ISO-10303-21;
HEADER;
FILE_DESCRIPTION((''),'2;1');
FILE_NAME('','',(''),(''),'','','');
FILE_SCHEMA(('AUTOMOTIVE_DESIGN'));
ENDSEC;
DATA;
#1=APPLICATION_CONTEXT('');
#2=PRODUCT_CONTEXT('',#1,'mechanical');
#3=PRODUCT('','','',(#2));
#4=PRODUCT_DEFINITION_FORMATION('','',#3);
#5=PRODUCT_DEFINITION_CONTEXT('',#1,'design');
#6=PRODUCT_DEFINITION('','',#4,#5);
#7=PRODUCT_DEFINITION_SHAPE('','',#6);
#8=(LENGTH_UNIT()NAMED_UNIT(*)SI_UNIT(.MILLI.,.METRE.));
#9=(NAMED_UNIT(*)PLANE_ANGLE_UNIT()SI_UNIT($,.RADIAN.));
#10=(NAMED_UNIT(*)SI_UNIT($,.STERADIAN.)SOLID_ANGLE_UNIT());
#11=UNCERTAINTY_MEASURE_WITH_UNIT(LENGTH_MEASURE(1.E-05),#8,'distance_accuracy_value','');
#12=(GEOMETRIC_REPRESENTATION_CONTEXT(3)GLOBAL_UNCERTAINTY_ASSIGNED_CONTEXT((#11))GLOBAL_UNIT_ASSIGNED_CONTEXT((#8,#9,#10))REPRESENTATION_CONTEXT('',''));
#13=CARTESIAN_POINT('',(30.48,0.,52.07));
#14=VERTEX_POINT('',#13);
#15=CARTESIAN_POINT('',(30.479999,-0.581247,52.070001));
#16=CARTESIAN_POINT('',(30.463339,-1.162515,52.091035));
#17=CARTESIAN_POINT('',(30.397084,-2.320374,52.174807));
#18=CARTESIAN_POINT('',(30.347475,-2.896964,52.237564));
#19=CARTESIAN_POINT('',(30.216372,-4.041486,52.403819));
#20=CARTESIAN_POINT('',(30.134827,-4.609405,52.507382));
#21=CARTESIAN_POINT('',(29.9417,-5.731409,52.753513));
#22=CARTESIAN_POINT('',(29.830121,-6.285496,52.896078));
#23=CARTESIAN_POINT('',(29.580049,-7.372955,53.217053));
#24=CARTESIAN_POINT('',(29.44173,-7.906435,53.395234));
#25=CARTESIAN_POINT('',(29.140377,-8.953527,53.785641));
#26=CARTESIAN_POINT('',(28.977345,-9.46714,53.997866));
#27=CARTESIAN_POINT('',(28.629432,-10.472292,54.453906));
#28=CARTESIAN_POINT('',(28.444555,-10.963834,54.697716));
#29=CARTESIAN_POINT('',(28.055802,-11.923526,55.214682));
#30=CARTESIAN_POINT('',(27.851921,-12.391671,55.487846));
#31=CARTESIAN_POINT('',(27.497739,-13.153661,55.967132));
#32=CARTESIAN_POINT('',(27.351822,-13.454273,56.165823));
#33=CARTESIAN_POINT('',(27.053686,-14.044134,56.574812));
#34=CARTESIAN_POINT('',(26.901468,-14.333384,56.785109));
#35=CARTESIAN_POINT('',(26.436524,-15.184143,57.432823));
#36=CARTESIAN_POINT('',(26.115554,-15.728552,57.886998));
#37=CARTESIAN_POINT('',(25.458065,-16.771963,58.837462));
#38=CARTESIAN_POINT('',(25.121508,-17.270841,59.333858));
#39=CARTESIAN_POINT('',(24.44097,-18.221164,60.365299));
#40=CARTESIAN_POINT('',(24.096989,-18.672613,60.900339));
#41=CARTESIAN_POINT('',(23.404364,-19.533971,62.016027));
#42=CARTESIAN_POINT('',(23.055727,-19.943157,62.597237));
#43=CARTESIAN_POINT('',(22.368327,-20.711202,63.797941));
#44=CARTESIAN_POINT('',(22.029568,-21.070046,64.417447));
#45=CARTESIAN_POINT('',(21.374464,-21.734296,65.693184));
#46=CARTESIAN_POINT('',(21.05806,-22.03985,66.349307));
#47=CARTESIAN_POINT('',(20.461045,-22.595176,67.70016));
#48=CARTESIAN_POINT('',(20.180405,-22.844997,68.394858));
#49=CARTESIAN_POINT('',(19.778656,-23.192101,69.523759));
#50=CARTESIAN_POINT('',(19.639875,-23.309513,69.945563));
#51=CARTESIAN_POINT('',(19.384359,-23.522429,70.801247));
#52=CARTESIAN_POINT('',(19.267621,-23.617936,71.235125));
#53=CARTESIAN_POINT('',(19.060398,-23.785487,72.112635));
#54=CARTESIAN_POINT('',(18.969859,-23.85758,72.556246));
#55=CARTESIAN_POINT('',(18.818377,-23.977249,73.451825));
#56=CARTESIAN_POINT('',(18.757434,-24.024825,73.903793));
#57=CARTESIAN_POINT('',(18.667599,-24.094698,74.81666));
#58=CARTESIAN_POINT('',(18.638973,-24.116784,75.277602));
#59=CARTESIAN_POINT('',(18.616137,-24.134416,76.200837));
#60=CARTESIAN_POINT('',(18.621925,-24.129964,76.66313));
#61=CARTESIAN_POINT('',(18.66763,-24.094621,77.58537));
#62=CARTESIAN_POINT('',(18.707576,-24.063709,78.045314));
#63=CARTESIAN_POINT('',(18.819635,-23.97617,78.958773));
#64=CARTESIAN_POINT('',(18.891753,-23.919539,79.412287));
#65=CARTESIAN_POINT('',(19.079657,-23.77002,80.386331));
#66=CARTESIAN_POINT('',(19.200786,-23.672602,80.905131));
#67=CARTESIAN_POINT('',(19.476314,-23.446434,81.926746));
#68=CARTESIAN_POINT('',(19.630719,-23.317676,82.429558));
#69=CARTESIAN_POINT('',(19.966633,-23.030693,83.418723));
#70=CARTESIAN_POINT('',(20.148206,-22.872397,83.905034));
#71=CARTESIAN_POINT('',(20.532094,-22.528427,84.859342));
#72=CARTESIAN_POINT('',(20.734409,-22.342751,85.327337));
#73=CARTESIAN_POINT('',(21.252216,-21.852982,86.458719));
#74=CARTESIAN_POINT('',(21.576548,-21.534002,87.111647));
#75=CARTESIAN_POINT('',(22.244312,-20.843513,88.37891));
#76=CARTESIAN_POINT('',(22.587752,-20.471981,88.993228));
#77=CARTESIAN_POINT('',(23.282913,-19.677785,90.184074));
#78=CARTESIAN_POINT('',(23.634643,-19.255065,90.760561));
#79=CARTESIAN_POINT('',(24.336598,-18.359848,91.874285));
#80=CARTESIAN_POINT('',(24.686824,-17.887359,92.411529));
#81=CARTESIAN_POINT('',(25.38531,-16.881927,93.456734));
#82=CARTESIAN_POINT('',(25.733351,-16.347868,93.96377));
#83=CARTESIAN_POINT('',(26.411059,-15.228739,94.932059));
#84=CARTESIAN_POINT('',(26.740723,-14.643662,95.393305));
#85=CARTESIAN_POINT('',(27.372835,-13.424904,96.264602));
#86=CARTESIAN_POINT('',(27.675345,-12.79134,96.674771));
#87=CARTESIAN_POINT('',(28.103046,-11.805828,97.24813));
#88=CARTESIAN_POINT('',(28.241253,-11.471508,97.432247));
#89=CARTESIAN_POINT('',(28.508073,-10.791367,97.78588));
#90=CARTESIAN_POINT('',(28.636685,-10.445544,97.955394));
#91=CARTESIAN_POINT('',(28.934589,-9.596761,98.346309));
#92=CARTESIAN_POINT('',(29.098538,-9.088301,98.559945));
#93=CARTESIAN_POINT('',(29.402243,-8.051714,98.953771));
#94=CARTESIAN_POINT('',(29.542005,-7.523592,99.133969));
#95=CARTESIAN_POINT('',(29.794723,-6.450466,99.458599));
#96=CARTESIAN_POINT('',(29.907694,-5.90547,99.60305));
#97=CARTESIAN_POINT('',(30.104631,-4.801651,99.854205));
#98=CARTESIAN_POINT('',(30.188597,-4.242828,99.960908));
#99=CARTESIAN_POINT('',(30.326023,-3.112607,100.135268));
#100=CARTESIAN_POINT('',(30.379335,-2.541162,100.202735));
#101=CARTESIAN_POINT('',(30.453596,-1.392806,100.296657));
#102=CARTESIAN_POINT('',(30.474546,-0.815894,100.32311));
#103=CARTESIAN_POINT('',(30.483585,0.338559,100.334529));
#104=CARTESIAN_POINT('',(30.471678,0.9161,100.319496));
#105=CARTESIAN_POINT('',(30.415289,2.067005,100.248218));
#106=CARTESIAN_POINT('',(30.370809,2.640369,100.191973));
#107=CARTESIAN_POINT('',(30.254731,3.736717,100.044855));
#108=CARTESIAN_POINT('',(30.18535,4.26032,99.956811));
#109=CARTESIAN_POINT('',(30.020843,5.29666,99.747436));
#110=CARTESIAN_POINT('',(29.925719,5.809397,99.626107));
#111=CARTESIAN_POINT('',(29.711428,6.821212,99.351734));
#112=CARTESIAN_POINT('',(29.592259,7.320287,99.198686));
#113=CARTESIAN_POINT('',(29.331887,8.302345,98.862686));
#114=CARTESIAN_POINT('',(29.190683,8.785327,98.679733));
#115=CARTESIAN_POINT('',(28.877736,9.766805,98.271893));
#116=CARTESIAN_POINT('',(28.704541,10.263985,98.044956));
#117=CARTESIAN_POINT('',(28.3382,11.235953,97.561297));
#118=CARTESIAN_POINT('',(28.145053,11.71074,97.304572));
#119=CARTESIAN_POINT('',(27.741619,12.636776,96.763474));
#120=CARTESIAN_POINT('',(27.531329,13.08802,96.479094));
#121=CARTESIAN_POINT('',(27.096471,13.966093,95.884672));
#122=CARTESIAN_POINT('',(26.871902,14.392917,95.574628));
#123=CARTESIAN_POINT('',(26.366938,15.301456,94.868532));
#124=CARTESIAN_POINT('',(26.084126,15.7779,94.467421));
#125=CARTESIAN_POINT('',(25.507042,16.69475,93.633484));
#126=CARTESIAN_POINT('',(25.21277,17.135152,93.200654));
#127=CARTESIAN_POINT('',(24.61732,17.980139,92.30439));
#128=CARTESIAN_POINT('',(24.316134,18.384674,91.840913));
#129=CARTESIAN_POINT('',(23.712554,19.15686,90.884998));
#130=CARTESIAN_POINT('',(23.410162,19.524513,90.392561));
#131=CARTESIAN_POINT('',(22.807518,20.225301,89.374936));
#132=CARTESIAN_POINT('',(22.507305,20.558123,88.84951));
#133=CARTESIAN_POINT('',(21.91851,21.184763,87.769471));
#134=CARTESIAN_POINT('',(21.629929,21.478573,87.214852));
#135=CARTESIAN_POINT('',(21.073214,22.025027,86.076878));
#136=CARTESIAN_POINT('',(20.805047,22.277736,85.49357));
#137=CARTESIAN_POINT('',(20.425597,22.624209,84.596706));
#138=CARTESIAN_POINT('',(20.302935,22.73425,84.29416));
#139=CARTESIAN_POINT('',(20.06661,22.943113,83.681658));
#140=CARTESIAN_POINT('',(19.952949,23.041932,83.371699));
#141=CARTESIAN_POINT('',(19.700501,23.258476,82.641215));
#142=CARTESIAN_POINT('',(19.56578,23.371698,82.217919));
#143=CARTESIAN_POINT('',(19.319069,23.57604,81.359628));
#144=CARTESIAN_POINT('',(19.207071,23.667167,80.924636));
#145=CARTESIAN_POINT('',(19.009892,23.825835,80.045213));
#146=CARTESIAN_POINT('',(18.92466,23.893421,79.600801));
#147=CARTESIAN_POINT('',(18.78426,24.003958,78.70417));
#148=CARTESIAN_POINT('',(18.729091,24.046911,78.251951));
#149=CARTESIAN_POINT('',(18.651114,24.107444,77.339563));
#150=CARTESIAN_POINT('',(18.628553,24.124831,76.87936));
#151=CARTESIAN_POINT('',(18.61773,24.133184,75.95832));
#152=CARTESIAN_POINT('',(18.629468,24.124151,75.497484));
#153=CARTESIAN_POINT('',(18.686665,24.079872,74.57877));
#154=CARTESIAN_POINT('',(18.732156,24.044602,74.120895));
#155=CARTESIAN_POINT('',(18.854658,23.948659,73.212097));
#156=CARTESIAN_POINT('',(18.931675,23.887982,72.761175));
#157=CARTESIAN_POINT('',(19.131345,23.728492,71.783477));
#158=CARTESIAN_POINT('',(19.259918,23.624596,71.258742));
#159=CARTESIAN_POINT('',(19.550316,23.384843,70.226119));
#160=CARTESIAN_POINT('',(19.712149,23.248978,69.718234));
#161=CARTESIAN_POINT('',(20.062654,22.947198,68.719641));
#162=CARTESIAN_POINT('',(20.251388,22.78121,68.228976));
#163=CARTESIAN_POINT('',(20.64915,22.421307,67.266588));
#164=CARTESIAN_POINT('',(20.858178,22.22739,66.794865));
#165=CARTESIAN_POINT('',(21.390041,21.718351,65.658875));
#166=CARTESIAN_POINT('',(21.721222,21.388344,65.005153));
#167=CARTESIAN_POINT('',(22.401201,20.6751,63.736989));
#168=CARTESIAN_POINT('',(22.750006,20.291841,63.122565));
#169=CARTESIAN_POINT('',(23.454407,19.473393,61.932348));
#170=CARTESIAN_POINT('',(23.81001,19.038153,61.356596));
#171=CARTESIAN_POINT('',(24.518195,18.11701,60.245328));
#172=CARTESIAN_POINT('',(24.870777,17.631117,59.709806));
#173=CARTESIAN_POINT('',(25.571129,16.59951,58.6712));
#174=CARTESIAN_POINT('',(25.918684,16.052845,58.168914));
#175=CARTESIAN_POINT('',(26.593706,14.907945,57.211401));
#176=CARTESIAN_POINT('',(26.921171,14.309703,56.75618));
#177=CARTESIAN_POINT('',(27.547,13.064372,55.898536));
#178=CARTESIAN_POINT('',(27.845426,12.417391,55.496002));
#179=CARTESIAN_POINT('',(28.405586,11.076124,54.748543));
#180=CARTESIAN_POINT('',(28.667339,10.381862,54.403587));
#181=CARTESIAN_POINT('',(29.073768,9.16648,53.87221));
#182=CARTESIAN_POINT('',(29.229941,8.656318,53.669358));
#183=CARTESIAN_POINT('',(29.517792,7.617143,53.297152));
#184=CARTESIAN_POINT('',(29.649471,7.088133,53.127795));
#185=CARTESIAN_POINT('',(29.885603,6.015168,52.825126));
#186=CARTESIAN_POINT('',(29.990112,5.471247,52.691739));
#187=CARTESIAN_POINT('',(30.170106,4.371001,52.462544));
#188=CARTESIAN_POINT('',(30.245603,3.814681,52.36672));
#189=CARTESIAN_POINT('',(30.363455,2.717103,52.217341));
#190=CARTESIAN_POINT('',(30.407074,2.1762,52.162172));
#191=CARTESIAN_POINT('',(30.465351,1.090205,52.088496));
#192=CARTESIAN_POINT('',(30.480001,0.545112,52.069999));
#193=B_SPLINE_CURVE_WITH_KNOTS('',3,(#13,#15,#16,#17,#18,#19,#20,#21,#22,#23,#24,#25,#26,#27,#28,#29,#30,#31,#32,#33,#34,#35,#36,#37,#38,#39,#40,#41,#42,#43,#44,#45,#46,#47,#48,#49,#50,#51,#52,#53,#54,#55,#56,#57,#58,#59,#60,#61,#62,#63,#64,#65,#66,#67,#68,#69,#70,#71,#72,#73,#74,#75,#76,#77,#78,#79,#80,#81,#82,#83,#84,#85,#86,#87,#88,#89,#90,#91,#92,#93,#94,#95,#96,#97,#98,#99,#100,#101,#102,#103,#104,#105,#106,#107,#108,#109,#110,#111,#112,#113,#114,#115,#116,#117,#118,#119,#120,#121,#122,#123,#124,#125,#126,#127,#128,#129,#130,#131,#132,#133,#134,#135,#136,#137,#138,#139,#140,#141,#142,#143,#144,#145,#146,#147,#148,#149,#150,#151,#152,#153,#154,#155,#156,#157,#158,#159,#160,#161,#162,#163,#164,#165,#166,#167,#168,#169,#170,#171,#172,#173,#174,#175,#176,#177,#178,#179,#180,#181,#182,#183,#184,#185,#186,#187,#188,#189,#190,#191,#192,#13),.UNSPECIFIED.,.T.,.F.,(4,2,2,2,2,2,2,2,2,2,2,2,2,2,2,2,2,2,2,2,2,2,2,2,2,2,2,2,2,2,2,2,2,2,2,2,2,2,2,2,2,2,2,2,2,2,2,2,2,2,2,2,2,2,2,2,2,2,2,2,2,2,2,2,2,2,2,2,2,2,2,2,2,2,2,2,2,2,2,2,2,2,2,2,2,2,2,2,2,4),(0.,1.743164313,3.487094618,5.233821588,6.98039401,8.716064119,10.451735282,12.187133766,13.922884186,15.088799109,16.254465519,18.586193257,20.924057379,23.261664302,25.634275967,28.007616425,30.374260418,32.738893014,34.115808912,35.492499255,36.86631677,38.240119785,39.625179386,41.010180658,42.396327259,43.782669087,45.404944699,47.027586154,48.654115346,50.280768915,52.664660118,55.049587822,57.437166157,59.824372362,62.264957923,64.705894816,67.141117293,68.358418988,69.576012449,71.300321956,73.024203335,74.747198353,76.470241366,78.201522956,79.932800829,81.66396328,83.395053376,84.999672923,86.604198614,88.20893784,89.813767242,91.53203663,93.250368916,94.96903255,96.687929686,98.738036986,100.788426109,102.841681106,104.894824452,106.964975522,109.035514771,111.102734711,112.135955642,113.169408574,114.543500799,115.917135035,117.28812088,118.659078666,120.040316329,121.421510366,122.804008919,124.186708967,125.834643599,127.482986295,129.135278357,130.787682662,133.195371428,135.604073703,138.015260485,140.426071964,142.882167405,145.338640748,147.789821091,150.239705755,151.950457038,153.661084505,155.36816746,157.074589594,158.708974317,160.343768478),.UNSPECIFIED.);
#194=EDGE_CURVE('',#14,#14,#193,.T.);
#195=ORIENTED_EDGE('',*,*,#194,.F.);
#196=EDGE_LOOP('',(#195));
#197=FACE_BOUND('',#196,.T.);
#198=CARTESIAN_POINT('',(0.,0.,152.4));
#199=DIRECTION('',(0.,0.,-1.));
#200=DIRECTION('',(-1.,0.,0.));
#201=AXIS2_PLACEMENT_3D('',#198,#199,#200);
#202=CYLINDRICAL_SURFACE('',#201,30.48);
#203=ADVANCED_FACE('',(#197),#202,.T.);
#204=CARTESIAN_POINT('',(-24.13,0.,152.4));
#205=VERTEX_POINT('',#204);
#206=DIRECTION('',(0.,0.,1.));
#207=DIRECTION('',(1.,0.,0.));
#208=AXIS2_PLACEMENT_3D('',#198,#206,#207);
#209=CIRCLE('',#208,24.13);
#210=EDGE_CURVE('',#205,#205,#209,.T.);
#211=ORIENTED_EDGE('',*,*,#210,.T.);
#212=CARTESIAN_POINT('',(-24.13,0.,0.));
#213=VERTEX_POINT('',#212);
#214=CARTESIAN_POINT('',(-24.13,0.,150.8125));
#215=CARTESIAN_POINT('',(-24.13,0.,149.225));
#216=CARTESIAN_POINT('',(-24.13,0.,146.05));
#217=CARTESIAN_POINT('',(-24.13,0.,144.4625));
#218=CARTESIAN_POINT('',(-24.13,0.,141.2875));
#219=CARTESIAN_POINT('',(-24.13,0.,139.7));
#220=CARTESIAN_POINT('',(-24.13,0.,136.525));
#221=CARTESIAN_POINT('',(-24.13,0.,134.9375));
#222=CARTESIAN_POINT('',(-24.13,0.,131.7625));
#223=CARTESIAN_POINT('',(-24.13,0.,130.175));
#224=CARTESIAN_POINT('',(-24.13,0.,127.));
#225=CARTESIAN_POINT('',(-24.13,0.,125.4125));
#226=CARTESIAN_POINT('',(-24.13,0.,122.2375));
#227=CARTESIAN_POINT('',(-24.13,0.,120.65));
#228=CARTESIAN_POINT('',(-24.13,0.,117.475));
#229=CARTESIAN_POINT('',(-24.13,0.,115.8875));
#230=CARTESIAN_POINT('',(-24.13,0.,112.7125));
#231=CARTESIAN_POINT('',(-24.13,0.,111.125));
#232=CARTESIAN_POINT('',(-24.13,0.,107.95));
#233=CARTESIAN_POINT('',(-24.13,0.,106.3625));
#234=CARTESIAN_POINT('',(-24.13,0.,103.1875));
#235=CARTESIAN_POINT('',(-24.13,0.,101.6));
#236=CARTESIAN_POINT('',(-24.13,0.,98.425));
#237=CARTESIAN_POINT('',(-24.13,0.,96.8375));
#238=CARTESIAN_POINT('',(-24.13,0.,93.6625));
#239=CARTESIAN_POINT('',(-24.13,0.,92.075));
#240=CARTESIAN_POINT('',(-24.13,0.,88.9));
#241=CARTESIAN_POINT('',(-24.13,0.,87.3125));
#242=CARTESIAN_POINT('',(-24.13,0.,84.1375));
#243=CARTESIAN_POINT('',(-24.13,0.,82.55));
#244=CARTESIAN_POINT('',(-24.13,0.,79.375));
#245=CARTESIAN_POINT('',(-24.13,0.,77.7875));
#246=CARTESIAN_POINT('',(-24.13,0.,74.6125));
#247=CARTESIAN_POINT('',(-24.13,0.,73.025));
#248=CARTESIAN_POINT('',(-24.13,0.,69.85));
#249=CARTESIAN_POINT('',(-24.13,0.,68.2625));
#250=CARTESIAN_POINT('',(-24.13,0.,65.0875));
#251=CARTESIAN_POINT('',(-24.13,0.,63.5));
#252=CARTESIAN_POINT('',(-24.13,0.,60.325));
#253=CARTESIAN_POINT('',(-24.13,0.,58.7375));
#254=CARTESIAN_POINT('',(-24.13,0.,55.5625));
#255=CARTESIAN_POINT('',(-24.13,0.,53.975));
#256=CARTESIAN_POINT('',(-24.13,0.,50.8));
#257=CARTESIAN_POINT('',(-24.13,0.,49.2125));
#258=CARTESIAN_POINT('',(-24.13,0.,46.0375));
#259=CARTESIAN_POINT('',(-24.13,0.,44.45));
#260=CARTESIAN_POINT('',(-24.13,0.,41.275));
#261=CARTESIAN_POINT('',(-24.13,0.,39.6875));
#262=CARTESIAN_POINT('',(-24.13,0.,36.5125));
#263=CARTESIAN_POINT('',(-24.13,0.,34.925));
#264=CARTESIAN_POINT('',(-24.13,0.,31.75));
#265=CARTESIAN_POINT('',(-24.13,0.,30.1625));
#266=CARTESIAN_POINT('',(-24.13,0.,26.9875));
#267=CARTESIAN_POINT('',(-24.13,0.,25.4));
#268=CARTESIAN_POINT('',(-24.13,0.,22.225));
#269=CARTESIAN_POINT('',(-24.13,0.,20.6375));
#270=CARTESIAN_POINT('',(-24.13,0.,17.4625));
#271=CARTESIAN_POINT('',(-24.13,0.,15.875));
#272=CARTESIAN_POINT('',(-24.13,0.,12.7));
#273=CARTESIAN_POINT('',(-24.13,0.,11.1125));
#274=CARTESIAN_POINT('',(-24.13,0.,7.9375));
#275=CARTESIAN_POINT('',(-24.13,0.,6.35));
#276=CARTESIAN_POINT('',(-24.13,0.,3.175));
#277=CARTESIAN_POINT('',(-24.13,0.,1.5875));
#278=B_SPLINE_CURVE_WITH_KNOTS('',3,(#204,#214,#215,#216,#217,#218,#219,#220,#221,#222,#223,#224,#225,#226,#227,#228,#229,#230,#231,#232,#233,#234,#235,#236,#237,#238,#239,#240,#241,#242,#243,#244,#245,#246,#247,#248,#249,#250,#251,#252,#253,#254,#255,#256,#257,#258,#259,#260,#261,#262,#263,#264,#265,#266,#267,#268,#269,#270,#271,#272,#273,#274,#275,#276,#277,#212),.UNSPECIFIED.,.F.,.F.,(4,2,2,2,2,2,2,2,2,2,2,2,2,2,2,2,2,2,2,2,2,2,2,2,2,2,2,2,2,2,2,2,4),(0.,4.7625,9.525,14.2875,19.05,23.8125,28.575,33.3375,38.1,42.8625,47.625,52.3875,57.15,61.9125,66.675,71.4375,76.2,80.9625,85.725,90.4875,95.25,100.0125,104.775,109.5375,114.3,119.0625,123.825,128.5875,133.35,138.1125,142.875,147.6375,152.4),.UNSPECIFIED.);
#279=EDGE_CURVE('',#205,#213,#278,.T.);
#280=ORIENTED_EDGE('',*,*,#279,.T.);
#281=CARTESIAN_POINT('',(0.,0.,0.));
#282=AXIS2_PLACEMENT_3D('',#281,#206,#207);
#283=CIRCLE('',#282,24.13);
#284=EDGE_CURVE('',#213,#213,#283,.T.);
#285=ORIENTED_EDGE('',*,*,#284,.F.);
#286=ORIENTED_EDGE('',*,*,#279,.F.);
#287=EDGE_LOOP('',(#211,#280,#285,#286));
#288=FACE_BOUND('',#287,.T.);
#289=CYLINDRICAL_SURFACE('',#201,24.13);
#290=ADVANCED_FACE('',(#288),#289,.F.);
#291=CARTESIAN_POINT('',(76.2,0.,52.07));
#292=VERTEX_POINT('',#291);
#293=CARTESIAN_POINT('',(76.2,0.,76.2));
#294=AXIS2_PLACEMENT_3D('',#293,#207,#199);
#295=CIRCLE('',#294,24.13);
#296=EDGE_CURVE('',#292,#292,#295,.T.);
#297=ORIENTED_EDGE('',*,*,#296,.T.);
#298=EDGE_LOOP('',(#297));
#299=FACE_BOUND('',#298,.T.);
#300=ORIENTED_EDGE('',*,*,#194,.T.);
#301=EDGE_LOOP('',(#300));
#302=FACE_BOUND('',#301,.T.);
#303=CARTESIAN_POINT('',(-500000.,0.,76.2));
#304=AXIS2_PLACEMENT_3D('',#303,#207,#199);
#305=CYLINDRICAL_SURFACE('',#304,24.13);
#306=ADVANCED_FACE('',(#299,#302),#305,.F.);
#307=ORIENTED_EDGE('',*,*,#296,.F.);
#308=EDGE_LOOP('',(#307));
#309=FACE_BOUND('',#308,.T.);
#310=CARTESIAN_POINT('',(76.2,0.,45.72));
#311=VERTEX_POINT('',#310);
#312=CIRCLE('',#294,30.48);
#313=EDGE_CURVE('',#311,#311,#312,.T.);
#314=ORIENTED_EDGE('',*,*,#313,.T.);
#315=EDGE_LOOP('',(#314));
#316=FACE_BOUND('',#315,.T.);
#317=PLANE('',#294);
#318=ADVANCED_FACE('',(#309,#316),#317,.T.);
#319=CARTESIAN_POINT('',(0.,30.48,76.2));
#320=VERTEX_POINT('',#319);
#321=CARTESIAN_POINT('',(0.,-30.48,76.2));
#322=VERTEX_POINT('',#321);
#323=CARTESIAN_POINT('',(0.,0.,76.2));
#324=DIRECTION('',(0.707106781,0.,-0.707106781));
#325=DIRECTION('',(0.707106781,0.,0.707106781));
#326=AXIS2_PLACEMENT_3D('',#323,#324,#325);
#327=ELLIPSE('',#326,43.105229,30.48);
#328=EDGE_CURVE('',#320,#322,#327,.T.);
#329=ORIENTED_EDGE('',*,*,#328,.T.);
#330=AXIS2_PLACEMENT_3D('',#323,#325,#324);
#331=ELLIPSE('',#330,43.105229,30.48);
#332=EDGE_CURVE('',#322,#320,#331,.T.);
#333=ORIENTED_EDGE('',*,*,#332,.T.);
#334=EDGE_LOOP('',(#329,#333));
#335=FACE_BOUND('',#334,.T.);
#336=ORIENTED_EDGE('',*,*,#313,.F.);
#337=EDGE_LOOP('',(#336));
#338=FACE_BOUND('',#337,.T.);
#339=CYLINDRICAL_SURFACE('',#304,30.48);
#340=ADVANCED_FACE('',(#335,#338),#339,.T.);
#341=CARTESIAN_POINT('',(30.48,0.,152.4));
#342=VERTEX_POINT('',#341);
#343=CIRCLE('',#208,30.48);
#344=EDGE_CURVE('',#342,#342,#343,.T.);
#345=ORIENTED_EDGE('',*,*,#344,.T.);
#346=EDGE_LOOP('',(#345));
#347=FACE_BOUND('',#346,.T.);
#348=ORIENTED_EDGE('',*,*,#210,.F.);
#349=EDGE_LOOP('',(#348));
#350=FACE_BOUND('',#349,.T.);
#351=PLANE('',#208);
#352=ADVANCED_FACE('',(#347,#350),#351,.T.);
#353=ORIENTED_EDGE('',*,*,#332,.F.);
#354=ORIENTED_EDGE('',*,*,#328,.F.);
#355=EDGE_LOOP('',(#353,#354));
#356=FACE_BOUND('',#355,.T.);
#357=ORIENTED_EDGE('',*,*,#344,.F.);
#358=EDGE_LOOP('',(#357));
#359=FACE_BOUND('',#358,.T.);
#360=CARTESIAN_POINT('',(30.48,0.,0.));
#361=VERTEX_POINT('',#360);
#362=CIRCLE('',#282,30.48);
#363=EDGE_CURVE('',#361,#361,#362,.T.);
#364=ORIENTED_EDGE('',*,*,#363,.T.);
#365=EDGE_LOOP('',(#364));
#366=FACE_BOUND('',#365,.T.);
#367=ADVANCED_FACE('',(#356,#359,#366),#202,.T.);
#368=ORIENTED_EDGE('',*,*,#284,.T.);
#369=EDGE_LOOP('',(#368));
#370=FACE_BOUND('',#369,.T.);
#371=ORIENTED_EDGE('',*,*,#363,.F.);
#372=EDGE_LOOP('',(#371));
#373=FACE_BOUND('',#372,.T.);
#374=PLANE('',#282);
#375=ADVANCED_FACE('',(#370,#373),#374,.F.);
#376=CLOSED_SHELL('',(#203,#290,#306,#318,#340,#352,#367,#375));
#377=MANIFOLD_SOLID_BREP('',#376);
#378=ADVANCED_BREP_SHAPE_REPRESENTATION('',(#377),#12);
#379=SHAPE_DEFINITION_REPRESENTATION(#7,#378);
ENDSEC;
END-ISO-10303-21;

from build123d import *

# Parameters (mm, degrees)
SKETCH1_R                = 30.48
SKETCH1_R_2              = 24.13
BOSS_EXTRUDE1_DEPTH      = 152.4
BOSS_EXTRUDE2_REACH      = 190.508
BOSS_EXTRUDE2_END_RADIUS = 30.48
SKETCH2_R                = 30.48
SKETCH2_R_2              = 24.13


with BuildPart() as part:
    # Sketch1 → Boss-Extrude1 (new body)
    with BuildSketch(Plane.XY):
        with Locations(Location((0, 0, 0), (0, 0, 180))):
            Circle(SKETCH1_R)
        with Locations(Location((0, 0, 0), (0, 0, 180))):
            Circle(SKETCH1_R_2, mode=Mode.SUBTRACT)
    extrude(amount=BOSS_EXTRUDE1_DEPTH)

    # Boss-Extrude2: up to this cylinder (the profile starts outside it)
    boss_extrude2_end = Plane(origin=(0, 0, 105.817895), z_dir=(0, 0, -1)) * Cylinder(BOSS_EXTRUDE2_END_RADIUS, 442.976, mode=Mode.PRIVATE)
    # Sketch2 → Boss-Extrude2 (add, up to the surface)
    with BuildSketch(Plane(origin=(76.2, 0, 0), x_dir=(0, 0, -1), z_dir=(1, 0, 0)), mode=Mode.PRIVATE) as boss_extrude2_sk1:
        with Locations((-76.2, 0)):
            Circle(SKETCH2_R)
        with Locations((-76.2, 0)):
            Circle(SKETCH2_R_2, mode=Mode.SUBTRACT)
    boss_extrude2_tool1 = extrude(boss_extrude2_sk1.sketch, amount=-BOSS_EXTRUDE2_REACH, mode=Mode.PRIVATE) - boss_extrude2_end
    add(boss_extrude2_tool1.solids().sort_by_distance((76.2, 0, 105.817895))[0])


solid = part.part
